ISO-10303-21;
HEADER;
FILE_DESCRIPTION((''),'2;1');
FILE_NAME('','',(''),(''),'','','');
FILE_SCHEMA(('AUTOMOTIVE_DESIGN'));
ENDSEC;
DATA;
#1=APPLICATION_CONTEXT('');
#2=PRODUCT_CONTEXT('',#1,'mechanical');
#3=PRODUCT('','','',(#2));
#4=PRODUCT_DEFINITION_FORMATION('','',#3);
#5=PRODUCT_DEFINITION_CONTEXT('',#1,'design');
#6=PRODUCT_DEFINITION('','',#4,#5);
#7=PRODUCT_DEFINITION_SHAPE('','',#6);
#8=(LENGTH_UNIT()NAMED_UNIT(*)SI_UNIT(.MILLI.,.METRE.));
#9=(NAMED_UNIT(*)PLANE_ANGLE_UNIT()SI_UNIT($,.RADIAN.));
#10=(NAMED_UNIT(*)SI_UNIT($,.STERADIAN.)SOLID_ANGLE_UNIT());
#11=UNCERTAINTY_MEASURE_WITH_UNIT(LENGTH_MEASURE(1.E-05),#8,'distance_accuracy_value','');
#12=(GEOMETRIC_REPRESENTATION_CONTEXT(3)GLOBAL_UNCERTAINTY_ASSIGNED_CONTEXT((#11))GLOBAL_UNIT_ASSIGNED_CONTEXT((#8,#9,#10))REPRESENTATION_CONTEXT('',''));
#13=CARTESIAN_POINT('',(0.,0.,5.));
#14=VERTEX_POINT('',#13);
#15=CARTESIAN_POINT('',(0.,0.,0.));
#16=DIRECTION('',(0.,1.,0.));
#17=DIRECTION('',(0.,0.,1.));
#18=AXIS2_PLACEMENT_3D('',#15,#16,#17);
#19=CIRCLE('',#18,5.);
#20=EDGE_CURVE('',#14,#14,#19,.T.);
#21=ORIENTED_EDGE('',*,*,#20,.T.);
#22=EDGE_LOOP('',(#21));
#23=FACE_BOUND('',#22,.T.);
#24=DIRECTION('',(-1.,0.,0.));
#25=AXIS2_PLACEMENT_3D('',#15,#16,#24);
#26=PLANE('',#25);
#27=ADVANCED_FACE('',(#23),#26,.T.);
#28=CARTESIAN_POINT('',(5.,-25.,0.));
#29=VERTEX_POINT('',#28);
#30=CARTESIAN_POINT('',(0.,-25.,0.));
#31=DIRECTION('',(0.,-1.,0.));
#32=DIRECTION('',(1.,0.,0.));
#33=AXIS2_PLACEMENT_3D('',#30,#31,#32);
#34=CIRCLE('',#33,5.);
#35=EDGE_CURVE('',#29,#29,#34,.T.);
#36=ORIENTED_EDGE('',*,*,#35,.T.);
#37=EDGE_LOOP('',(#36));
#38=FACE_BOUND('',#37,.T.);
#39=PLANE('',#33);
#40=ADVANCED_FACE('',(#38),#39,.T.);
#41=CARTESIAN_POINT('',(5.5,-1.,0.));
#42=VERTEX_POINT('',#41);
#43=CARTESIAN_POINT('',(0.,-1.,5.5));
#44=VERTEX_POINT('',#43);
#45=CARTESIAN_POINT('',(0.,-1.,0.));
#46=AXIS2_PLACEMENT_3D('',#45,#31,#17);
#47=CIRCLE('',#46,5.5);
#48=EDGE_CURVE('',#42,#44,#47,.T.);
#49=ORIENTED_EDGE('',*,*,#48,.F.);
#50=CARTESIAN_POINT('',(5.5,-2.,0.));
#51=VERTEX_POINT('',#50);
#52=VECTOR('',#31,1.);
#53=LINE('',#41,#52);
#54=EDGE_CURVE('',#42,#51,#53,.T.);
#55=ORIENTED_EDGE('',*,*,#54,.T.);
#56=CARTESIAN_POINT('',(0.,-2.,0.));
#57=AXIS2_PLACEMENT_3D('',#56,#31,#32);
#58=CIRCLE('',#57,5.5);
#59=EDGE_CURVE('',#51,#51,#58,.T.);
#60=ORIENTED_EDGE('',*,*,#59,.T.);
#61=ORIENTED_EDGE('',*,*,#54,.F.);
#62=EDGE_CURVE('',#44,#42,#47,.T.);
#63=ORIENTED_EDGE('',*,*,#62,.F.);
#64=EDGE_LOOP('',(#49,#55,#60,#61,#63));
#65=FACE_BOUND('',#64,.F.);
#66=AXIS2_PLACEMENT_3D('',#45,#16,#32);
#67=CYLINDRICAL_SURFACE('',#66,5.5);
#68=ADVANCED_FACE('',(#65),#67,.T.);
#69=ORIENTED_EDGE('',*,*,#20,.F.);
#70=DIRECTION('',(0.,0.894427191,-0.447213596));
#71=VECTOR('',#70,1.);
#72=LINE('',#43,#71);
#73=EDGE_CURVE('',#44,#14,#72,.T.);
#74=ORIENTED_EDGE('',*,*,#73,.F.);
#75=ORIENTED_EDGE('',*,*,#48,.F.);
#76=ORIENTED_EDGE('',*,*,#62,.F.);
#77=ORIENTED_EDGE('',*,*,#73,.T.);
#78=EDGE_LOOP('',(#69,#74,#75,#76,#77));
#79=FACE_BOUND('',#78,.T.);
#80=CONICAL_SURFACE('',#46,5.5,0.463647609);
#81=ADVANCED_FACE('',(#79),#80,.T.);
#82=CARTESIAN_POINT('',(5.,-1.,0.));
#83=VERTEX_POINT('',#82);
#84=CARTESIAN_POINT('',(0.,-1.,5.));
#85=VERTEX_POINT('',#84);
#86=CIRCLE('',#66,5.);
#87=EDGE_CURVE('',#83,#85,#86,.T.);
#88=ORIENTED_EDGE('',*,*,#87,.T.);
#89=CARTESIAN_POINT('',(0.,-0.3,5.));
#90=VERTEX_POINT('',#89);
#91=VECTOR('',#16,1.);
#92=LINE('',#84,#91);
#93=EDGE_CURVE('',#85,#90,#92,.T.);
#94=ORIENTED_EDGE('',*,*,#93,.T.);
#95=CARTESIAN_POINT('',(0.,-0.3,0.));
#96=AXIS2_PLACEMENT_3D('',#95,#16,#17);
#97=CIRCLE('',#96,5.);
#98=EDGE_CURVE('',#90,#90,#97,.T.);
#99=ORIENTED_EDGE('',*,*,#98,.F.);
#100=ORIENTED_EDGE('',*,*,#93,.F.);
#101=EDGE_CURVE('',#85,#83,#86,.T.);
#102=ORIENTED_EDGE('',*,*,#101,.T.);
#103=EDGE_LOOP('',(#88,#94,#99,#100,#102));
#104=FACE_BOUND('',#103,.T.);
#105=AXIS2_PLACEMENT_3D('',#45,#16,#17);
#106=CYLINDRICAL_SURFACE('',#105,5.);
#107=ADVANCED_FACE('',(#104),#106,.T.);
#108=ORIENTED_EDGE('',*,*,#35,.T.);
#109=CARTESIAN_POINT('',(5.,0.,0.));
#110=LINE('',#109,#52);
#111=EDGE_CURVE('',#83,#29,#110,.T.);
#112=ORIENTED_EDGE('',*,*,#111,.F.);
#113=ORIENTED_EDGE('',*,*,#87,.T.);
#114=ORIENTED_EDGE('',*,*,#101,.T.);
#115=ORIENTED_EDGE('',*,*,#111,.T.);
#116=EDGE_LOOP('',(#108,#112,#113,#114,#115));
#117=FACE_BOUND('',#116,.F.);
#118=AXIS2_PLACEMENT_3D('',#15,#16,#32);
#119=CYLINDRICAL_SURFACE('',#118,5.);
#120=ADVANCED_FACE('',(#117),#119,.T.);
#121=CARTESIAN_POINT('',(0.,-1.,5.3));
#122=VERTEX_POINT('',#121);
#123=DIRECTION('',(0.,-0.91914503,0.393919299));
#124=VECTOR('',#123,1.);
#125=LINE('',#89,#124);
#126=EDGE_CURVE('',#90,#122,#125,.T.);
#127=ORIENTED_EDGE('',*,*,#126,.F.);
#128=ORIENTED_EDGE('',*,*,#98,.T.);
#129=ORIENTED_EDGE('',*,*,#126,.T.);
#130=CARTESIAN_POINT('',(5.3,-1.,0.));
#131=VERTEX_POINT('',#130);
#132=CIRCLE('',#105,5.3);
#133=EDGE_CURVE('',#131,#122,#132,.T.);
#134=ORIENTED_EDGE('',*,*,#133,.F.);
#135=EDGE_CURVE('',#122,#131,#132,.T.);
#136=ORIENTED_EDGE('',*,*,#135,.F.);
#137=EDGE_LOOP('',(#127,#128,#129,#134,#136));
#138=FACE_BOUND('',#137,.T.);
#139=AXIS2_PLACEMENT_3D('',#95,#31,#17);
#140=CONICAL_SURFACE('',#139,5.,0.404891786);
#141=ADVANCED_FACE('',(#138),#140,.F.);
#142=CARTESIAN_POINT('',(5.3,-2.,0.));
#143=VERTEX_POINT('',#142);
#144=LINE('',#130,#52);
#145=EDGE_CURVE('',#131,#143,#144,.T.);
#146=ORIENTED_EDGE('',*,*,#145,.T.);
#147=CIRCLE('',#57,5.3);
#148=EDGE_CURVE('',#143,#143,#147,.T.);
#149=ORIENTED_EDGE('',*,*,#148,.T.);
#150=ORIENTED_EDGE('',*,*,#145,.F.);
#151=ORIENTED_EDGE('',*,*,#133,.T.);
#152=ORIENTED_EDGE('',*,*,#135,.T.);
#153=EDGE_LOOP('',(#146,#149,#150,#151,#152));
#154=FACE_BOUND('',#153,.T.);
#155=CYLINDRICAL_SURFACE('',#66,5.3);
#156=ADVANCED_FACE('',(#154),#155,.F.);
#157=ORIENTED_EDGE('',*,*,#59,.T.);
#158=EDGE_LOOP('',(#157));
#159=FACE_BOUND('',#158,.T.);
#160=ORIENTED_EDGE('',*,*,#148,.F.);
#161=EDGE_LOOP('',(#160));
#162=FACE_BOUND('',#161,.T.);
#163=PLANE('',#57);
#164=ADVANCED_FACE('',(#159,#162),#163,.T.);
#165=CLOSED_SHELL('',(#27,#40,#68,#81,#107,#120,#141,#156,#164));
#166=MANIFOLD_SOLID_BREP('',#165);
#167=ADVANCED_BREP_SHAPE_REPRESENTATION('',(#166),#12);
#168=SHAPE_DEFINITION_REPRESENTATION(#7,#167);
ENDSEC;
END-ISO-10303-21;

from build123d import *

# Parameters (mm, degrees)
F0_R     = 5
F1_DEPTH = 25
F2_R     = 5.5
F3_DEPTH = 1
F8_R     = 5.5
F8_R_2   = 5.3
F9_DEPTH = 1


with BuildPart() as f1:
    # F0 (on Front) → F1 (new body)
    with BuildSketch(Plane.XZ):
        Circle(F0_R)
    extrude(amount=F1_DEPTH)

    # F2 (on face) → F3 (join)
    with BuildSketch(Plane(origin=(0, 0, 0), x_dir=(-1, 0, 0), z_dir=(0, 1, 0))):
        Circle(F2_R)
    extrude(amount=-F3_DEPTH)

    # F4 (on Right) → F5 (revolve, cut)
    with BuildSketch(Plane.YZ):
        Polygon((0, 5.5), (-1, 5.5), (0, 5), align=None)
    revolve(axis=Axis((0, -11.148525, 0), (0, 1, 0)), mode=Mode.SUBTRACT)

    # F6 (on Right) → F7 (revolve, cut)
    with BuildSketch(Plane.YZ):
        Polygon((-1, 5), (-0.3, 5), (-1, 5.3), align=None)
    revolve(axis=Axis((0, -11.529621, 0), (0, 1, 0)), mode=Mode.SUBTRACT)

    # F8 (on face) → F9 (join)
    with BuildSketch(Plane.XZ.offset(1)):
        Circle(F8_R)
        Circle(F8_R_2, mode=Mode.SUBTRACT)
    extrude(amount=F9_DEPTH)


solid = f1.part
